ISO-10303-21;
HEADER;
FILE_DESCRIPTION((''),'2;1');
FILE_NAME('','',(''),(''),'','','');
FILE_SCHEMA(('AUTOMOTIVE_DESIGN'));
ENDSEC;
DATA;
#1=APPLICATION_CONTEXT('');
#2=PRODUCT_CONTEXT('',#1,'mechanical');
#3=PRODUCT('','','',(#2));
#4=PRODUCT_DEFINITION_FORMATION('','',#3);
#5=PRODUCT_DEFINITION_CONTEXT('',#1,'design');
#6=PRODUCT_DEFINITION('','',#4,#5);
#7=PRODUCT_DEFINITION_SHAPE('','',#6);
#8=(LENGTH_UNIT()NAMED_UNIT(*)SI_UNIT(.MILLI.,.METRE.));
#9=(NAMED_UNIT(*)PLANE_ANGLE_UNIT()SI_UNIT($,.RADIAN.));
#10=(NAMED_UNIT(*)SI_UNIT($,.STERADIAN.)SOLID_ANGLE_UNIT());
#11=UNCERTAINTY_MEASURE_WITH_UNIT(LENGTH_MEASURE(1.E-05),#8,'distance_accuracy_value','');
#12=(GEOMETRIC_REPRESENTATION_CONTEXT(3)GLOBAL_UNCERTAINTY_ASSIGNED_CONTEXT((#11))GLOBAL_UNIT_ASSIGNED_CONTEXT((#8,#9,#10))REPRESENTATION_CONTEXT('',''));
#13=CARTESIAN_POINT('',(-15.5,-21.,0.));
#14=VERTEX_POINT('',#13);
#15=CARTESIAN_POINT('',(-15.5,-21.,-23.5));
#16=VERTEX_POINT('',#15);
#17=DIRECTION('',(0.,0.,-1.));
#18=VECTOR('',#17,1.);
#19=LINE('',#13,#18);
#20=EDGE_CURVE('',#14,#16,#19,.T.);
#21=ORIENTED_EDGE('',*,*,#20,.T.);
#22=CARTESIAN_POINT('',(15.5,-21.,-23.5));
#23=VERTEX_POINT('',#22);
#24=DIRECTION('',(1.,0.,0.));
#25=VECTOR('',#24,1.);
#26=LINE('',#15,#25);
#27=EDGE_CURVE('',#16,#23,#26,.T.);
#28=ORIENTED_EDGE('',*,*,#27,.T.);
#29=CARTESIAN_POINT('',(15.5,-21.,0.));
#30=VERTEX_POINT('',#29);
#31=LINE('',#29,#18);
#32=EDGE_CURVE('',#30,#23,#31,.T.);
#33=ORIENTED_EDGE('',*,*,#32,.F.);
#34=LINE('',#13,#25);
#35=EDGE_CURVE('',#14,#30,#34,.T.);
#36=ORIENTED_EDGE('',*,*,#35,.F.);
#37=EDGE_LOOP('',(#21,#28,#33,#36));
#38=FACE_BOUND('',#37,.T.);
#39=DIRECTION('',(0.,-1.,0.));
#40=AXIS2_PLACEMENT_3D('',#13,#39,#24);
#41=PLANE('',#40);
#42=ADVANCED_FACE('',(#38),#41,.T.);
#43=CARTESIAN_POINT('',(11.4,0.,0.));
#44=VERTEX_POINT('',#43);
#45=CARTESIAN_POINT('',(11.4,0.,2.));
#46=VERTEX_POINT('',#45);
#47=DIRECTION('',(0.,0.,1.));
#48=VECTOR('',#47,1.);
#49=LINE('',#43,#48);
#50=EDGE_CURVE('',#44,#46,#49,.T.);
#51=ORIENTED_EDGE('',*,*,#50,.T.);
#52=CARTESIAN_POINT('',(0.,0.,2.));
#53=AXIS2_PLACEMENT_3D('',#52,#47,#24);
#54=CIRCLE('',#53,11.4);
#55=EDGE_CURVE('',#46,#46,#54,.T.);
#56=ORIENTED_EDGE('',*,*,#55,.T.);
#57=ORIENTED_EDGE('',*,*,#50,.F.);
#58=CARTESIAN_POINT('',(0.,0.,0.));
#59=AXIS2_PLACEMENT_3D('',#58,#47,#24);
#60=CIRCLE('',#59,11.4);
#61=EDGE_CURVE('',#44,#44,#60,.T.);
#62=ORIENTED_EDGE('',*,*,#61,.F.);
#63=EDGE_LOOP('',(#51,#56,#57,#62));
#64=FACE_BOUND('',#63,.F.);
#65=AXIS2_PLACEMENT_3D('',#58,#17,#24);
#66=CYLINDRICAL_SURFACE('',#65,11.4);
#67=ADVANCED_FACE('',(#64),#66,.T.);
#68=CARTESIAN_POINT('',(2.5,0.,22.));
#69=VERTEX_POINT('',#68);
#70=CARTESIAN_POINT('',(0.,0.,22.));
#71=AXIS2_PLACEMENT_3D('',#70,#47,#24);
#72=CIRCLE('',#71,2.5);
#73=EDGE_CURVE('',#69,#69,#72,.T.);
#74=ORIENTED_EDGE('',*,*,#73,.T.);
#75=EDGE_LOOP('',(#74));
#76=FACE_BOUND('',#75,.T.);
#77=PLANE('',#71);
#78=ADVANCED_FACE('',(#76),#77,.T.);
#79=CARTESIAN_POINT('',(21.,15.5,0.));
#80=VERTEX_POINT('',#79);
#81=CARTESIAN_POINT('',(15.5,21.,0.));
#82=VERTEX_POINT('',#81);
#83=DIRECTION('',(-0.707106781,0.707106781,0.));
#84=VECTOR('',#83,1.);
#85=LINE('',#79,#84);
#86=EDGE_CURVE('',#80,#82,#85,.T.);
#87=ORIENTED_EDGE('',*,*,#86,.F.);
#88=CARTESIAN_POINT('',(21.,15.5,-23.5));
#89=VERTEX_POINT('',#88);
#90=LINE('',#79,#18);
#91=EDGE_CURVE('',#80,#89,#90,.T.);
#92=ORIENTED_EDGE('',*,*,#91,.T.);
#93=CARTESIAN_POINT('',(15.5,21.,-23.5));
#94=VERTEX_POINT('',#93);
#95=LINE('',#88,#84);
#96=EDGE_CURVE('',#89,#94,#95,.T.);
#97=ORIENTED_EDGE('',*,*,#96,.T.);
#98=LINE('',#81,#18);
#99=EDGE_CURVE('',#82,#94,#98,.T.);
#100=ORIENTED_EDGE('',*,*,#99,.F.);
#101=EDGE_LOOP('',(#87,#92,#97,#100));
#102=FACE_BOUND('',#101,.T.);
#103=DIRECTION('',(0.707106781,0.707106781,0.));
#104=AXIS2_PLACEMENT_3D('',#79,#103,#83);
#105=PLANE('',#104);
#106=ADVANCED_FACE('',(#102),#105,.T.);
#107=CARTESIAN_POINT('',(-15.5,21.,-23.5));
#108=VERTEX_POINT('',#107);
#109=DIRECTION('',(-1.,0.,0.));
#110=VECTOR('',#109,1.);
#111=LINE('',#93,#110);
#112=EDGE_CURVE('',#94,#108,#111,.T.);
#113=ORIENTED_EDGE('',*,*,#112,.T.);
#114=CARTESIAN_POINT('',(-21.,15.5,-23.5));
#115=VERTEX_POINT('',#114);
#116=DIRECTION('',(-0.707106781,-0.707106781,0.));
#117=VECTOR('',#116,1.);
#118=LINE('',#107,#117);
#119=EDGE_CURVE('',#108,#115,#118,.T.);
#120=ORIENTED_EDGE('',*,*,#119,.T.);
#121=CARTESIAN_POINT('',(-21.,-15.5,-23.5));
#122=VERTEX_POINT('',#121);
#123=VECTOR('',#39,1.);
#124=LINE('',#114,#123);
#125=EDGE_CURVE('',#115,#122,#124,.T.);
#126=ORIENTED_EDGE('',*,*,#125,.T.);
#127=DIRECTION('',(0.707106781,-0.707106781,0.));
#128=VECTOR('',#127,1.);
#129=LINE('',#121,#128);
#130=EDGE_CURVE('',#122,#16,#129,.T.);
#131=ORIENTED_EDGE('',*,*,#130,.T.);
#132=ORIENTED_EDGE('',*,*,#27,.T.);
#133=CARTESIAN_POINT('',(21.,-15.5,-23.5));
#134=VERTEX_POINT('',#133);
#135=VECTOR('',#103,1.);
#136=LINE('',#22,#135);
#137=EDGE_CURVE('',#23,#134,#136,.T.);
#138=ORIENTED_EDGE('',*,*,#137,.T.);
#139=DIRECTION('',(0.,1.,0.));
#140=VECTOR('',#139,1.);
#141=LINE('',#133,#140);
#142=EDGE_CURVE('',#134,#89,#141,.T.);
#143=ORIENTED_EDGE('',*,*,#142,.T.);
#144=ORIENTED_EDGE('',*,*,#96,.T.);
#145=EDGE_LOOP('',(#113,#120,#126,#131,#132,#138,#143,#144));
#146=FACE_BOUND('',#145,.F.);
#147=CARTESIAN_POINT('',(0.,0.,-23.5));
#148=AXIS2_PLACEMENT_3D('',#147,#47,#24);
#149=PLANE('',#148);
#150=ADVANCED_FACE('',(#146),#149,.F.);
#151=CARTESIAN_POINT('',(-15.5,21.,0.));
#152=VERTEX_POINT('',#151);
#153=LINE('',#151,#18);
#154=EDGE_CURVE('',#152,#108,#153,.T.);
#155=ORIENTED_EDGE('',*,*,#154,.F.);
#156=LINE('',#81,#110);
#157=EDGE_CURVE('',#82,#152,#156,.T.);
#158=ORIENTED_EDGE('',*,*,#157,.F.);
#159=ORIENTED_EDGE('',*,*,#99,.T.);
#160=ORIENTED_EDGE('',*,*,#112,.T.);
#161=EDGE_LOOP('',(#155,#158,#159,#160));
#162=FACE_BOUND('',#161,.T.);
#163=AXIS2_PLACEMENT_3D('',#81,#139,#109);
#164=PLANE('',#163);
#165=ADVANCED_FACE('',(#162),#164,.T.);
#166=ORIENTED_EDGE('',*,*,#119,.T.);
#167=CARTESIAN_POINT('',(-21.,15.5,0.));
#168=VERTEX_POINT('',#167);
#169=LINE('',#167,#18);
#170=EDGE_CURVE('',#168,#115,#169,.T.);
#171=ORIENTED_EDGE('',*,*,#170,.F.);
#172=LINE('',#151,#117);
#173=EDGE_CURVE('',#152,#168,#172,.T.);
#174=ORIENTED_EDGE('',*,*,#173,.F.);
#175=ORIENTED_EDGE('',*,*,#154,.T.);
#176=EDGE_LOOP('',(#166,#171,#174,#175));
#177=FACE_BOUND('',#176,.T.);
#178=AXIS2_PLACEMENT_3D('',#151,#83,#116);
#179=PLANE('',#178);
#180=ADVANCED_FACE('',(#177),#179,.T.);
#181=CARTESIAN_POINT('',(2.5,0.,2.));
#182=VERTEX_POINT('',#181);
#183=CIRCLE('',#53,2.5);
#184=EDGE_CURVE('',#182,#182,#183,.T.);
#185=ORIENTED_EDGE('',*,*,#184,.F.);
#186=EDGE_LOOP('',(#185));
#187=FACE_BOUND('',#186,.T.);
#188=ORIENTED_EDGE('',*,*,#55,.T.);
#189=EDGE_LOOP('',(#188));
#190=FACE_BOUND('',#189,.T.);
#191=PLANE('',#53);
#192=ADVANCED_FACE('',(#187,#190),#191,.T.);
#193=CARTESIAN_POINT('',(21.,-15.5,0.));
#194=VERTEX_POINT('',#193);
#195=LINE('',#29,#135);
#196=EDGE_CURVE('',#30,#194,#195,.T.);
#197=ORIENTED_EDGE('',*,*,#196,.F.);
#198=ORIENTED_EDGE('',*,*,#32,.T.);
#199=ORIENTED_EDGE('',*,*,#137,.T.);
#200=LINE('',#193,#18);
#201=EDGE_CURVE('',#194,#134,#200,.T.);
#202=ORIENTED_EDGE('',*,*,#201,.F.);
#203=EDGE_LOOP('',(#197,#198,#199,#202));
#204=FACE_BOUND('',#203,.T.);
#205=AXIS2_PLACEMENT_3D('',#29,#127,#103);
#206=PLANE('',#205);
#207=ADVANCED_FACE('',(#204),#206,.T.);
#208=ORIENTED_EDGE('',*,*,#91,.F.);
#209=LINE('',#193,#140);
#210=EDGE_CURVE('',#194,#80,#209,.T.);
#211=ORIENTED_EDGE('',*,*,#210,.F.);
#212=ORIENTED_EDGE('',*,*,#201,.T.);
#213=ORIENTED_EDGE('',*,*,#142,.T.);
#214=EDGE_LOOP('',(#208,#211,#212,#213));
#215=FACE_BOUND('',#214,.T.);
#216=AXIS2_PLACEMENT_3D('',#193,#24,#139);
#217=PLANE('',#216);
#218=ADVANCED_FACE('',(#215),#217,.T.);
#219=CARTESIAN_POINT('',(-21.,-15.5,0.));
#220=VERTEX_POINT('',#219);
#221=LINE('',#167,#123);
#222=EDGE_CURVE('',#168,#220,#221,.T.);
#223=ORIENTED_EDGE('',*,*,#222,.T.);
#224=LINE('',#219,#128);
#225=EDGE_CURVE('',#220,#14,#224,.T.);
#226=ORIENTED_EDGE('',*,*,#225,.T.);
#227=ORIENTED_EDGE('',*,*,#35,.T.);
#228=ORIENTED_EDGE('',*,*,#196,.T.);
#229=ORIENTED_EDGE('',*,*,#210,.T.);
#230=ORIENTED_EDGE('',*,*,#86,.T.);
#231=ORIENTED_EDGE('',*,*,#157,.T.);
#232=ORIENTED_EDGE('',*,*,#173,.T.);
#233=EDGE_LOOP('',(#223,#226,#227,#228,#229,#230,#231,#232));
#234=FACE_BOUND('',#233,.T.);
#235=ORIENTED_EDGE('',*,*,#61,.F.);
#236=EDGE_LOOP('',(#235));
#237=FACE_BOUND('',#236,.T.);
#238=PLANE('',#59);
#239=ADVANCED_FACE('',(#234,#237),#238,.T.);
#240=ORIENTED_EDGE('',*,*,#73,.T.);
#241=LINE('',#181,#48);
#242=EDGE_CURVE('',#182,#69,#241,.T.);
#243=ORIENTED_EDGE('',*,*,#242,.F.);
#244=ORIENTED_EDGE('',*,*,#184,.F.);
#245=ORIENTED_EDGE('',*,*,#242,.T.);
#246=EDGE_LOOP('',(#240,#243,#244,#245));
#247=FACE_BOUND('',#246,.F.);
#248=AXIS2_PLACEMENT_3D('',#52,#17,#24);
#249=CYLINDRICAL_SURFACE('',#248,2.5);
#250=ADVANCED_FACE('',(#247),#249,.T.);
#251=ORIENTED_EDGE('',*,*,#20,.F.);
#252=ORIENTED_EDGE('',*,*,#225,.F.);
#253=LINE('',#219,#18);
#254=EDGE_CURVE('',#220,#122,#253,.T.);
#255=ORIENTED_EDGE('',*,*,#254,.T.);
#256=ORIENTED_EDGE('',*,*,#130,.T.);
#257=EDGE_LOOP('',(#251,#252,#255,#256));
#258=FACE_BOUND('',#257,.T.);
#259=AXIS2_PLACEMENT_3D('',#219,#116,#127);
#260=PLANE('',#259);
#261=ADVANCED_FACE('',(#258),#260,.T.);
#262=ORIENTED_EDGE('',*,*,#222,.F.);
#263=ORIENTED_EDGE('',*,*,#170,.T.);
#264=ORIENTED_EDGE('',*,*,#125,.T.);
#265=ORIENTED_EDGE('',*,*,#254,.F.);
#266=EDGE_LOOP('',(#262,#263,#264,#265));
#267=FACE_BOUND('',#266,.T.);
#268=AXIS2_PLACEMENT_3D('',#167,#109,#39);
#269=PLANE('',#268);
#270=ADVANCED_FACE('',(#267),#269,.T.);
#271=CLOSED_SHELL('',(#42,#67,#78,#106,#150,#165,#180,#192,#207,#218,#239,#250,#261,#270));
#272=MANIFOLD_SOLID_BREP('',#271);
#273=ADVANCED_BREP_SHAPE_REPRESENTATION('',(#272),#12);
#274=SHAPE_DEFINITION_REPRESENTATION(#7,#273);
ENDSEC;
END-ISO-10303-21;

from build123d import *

# Parameters (mm, degrees)
PAD043_DEPTH = 23.5
SKETCH047_R  = 11.4
PAD044_DEPTH = 2
SKETCH048_R  = 2.5
PAD045_DEPTH = 20


with BuildPart() as part:
    # Sketch046 → Pad043 (new body)
    with BuildSketch(Plane.XY):
        Polygon((-15.5, 21), (-21, 15.5), (-21, -15.5), (-15.5, -21), (15.5, -21), (21, -15.5), (21, 15.5), (15.5, 21), align=None)
    extrude(amount=-PAD043_DEPTH)

    # Sketch047 (on Face9 of Pad043) → Pad044 (join)
    with BuildSketch(Plane.XY):
        Circle(SKETCH047_R)
    extrude(amount=PAD044_DEPTH)

    # Sketch048 (on Face12 of Pad044) → Pad045 (join)
    with BuildSketch(Plane.XY.offset(2)):
        Circle(SKETCH048_R)
    extrude(amount=PAD045_DEPTH)


solid = part.part
